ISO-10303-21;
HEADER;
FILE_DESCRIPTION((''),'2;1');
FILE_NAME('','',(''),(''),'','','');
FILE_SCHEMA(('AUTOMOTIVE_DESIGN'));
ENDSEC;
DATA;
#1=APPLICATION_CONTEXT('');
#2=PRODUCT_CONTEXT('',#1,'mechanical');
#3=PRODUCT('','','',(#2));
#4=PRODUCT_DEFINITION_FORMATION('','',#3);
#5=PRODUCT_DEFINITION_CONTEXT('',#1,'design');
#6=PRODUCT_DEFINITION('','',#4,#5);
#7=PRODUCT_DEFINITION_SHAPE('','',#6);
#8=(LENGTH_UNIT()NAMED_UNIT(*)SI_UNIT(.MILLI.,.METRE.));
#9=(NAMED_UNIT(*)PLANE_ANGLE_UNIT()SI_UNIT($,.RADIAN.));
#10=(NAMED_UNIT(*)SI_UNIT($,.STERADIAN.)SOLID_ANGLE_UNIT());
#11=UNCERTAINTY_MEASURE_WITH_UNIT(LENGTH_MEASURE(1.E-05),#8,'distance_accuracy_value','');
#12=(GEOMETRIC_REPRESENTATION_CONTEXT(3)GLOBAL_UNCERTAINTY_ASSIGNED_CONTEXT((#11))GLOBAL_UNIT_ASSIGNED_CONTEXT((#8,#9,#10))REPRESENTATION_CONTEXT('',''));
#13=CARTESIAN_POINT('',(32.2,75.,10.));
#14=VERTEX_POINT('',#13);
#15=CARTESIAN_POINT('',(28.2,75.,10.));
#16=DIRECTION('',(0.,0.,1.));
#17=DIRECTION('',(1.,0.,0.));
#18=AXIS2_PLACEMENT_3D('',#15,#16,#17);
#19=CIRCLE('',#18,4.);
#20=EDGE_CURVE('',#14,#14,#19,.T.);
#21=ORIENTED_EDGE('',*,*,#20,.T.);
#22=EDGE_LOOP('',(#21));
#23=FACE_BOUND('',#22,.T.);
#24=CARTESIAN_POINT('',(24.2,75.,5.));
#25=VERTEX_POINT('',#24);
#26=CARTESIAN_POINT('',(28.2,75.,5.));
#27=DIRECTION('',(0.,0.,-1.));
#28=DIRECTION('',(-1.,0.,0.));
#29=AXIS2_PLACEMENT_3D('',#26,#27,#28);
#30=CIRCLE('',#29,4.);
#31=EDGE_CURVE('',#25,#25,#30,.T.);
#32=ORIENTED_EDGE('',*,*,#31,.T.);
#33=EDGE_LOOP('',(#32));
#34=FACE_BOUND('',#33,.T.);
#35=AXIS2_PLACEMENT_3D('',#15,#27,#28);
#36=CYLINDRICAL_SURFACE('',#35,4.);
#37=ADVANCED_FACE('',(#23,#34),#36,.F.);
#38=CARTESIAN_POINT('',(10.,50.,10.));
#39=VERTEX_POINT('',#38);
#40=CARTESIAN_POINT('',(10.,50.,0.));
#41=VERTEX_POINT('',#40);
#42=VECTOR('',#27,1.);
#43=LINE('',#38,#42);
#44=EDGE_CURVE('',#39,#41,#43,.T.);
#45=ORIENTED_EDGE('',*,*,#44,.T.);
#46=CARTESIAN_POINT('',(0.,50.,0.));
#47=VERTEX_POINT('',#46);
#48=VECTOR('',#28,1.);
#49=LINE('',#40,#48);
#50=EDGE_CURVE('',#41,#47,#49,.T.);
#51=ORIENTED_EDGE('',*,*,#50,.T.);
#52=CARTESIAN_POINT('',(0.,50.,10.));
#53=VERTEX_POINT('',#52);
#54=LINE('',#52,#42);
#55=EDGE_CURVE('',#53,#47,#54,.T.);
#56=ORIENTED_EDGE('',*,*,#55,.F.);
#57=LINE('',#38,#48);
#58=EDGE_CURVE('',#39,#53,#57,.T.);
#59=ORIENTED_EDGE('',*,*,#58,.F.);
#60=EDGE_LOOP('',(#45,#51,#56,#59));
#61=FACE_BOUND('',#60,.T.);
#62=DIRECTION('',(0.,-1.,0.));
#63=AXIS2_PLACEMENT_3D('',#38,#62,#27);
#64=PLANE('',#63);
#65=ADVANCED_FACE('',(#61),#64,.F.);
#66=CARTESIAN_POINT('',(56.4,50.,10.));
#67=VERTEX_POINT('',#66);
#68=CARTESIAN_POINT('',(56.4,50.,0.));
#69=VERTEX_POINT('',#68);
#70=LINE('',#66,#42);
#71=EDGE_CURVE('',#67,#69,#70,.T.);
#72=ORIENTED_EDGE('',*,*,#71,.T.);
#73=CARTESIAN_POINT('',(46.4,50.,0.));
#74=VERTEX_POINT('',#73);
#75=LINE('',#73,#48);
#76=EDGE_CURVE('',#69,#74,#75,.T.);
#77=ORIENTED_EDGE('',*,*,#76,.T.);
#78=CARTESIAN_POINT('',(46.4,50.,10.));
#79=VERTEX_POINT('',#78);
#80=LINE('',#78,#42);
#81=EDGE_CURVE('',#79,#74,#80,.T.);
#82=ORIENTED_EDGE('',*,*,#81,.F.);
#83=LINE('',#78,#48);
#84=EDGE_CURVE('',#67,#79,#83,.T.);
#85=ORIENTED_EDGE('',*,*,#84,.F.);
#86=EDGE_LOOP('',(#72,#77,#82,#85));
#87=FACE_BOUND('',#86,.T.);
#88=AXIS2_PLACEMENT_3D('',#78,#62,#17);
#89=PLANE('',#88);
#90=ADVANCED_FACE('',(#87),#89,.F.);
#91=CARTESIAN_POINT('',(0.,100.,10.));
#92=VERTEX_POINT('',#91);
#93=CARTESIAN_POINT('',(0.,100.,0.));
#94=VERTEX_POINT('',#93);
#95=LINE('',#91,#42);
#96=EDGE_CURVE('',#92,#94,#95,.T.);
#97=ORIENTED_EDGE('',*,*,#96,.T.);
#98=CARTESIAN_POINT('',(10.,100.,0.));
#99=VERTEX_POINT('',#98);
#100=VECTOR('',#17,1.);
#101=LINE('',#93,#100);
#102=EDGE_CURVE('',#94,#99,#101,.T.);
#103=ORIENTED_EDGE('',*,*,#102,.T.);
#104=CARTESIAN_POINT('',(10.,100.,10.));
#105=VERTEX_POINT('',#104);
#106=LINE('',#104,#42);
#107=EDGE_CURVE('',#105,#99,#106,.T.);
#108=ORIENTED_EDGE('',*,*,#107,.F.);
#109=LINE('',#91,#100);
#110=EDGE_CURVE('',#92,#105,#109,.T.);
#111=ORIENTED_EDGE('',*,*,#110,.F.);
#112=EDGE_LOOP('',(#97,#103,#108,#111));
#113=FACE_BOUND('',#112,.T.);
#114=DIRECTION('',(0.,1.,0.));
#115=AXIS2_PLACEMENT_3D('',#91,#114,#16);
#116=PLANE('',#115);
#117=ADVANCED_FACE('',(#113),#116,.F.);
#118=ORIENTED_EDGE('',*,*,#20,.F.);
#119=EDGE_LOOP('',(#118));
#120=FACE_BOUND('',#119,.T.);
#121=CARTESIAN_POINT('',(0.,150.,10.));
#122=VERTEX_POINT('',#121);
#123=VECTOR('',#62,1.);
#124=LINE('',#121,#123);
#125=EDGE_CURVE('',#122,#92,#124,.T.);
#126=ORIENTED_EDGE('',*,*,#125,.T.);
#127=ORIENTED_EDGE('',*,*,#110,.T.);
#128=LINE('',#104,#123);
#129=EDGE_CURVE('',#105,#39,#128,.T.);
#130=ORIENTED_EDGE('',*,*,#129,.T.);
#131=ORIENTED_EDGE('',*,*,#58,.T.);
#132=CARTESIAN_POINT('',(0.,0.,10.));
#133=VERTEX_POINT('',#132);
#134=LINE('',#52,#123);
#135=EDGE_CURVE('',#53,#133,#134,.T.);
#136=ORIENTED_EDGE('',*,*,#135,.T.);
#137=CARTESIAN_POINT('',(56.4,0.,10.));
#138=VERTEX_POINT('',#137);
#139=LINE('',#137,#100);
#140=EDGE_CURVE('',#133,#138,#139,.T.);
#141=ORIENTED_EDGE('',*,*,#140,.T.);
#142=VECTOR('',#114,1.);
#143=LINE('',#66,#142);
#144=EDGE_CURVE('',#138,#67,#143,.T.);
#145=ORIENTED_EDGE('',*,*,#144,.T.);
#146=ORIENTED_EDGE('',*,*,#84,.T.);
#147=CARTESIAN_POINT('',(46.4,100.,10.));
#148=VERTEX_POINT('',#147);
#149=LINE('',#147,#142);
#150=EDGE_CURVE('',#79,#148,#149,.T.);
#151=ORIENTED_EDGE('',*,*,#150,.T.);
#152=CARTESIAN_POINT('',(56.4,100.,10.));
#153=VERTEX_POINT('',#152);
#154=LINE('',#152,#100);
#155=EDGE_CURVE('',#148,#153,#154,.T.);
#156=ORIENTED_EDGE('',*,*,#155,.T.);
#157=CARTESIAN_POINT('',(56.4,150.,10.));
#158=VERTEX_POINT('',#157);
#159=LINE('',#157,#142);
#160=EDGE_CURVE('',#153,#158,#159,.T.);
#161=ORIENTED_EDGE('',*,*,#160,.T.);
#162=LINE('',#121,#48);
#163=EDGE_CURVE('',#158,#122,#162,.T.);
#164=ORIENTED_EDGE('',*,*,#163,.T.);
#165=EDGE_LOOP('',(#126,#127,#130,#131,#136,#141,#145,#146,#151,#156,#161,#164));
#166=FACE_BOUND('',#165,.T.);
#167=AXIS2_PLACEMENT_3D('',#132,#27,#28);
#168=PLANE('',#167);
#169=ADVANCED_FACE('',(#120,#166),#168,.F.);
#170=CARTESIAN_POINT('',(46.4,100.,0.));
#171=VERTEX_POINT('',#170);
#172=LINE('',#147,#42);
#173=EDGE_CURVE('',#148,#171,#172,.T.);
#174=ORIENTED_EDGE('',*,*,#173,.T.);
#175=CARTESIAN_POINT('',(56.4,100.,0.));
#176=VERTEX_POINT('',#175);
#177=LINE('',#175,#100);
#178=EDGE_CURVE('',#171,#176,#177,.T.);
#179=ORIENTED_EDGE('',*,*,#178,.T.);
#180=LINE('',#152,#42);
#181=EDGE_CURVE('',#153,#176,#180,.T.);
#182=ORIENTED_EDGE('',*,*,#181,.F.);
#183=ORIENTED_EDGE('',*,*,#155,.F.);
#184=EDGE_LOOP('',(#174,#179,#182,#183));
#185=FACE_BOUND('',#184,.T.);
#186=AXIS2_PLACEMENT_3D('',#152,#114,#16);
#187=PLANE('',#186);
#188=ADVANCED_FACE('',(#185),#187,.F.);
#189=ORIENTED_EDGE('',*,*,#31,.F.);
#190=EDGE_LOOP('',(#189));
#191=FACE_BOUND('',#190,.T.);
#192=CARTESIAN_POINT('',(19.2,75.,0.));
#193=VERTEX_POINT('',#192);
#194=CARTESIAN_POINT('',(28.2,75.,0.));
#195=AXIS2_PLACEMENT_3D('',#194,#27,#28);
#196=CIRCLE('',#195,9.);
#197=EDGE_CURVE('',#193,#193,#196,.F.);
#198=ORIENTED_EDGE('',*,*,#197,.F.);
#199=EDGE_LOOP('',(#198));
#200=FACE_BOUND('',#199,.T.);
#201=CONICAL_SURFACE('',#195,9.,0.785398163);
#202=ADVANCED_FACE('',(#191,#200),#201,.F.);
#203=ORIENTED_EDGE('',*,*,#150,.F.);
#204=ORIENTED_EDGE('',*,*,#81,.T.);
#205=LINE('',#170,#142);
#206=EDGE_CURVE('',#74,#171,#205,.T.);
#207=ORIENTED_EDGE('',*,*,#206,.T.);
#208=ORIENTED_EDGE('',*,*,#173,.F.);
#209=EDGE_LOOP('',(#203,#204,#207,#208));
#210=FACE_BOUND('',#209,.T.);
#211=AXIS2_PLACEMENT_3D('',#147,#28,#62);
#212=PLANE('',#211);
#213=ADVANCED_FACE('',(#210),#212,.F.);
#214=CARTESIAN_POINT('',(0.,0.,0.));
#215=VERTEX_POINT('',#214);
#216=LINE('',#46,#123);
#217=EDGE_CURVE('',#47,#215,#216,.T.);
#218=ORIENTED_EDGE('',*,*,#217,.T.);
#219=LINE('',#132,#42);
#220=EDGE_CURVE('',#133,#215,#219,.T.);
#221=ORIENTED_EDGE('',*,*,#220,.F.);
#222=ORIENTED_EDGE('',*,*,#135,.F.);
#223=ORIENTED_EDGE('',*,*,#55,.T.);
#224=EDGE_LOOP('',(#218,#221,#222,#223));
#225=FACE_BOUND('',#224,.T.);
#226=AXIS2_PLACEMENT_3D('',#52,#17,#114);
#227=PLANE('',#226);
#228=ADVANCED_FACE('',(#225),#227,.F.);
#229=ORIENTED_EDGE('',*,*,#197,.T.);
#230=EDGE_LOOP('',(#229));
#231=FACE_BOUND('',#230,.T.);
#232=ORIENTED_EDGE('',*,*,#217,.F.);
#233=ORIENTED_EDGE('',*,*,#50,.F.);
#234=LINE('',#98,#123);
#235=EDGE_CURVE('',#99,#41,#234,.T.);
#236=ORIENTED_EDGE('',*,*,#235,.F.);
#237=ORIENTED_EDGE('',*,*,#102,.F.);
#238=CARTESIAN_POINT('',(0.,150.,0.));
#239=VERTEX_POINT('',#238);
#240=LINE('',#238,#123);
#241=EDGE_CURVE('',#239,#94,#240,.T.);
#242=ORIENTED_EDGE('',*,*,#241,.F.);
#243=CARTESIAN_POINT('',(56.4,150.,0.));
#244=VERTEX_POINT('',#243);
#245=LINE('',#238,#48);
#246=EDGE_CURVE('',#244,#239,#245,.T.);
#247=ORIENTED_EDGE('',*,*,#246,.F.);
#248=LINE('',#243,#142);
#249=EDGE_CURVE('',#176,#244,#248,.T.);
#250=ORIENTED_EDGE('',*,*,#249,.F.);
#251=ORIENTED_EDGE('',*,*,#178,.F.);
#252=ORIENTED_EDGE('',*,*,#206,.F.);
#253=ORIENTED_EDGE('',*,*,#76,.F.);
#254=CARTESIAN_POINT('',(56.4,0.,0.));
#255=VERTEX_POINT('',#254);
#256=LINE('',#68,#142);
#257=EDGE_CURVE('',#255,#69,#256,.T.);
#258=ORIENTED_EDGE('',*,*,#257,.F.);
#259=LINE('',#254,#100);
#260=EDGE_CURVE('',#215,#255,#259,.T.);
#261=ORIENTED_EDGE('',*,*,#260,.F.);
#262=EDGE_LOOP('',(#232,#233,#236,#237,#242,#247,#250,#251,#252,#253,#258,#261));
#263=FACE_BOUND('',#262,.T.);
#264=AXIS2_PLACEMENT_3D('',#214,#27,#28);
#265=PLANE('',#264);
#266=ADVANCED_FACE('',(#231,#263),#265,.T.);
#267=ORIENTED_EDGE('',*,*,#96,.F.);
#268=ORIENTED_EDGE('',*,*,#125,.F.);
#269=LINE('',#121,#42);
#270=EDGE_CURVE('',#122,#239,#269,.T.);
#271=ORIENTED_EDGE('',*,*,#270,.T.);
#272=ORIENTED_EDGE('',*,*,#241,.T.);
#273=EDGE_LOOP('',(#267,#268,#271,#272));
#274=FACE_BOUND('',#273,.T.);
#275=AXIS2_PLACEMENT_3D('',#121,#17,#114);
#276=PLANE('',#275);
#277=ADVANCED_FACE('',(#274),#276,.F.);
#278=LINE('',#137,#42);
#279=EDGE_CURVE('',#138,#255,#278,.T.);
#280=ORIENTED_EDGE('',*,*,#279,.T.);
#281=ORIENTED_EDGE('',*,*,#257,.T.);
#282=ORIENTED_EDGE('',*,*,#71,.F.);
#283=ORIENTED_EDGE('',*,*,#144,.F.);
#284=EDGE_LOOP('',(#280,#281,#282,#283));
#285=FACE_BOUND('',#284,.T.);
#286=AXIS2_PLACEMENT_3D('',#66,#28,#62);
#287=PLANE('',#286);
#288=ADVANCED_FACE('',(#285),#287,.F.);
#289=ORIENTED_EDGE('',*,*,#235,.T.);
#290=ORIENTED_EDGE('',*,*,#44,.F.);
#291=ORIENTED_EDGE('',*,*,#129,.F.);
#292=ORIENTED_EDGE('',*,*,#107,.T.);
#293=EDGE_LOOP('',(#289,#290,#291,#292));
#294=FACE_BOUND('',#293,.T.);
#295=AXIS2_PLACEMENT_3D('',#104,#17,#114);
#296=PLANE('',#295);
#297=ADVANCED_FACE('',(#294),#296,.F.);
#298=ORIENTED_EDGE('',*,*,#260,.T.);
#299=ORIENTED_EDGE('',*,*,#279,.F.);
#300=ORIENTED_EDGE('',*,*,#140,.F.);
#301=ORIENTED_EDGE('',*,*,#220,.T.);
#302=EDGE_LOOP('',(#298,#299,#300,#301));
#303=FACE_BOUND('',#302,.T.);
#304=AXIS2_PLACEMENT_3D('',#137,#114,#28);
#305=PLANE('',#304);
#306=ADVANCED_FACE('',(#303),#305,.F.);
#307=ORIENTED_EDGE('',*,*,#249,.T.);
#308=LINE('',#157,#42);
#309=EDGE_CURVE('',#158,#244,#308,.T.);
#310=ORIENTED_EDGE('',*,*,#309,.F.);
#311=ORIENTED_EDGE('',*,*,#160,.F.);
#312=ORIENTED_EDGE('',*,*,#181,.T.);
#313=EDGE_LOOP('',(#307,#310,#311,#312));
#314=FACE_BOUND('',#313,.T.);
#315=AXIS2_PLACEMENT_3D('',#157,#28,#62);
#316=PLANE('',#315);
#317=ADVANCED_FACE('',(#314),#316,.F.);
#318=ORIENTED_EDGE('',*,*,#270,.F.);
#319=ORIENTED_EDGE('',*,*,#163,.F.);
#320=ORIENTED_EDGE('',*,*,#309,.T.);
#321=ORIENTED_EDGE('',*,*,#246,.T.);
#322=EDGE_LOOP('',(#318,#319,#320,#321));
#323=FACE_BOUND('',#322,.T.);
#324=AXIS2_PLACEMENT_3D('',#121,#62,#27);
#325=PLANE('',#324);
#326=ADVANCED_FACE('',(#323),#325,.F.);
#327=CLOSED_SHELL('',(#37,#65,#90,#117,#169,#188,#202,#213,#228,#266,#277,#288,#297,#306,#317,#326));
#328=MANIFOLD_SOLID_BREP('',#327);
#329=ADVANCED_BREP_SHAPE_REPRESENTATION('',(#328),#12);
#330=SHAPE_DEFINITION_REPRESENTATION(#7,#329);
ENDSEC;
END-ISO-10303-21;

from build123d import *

# Parameters (mm, degrees)
SKETCH1_R           = 4
BOSS_EXTRUDE1_DEPTH = 10
CHAMFER1_SIZE       = 5


with BuildPart() as part:
    # Sketch1 → Boss-Extrude1 (new body)
    with BuildSketch(Plane.XY):
        Polygon((0, 150), (56.4, 150), (56.4, 100), (46.4, 100), (46.4, 50), (56.4, 50), (56.4, 0), (0, 0), (0, 50), (10, 50), (10, 100), (0, 100), align=None)
        with Locations((28.2, 75)):
            Circle(SKETCH1_R, mode=Mode.SUBTRACT)
    extrude(amount=BOSS_EXTRUDE1_DEPTH)

    # Chamfer1
    chamfer1_edges = [part.edges().sort_by_distance(p)[0] for p in [
        (24.2, 75, 0),
    ]]
    chamfer(chamfer1_edges, length=CHAMFER1_SIZE)


solid = part.part
